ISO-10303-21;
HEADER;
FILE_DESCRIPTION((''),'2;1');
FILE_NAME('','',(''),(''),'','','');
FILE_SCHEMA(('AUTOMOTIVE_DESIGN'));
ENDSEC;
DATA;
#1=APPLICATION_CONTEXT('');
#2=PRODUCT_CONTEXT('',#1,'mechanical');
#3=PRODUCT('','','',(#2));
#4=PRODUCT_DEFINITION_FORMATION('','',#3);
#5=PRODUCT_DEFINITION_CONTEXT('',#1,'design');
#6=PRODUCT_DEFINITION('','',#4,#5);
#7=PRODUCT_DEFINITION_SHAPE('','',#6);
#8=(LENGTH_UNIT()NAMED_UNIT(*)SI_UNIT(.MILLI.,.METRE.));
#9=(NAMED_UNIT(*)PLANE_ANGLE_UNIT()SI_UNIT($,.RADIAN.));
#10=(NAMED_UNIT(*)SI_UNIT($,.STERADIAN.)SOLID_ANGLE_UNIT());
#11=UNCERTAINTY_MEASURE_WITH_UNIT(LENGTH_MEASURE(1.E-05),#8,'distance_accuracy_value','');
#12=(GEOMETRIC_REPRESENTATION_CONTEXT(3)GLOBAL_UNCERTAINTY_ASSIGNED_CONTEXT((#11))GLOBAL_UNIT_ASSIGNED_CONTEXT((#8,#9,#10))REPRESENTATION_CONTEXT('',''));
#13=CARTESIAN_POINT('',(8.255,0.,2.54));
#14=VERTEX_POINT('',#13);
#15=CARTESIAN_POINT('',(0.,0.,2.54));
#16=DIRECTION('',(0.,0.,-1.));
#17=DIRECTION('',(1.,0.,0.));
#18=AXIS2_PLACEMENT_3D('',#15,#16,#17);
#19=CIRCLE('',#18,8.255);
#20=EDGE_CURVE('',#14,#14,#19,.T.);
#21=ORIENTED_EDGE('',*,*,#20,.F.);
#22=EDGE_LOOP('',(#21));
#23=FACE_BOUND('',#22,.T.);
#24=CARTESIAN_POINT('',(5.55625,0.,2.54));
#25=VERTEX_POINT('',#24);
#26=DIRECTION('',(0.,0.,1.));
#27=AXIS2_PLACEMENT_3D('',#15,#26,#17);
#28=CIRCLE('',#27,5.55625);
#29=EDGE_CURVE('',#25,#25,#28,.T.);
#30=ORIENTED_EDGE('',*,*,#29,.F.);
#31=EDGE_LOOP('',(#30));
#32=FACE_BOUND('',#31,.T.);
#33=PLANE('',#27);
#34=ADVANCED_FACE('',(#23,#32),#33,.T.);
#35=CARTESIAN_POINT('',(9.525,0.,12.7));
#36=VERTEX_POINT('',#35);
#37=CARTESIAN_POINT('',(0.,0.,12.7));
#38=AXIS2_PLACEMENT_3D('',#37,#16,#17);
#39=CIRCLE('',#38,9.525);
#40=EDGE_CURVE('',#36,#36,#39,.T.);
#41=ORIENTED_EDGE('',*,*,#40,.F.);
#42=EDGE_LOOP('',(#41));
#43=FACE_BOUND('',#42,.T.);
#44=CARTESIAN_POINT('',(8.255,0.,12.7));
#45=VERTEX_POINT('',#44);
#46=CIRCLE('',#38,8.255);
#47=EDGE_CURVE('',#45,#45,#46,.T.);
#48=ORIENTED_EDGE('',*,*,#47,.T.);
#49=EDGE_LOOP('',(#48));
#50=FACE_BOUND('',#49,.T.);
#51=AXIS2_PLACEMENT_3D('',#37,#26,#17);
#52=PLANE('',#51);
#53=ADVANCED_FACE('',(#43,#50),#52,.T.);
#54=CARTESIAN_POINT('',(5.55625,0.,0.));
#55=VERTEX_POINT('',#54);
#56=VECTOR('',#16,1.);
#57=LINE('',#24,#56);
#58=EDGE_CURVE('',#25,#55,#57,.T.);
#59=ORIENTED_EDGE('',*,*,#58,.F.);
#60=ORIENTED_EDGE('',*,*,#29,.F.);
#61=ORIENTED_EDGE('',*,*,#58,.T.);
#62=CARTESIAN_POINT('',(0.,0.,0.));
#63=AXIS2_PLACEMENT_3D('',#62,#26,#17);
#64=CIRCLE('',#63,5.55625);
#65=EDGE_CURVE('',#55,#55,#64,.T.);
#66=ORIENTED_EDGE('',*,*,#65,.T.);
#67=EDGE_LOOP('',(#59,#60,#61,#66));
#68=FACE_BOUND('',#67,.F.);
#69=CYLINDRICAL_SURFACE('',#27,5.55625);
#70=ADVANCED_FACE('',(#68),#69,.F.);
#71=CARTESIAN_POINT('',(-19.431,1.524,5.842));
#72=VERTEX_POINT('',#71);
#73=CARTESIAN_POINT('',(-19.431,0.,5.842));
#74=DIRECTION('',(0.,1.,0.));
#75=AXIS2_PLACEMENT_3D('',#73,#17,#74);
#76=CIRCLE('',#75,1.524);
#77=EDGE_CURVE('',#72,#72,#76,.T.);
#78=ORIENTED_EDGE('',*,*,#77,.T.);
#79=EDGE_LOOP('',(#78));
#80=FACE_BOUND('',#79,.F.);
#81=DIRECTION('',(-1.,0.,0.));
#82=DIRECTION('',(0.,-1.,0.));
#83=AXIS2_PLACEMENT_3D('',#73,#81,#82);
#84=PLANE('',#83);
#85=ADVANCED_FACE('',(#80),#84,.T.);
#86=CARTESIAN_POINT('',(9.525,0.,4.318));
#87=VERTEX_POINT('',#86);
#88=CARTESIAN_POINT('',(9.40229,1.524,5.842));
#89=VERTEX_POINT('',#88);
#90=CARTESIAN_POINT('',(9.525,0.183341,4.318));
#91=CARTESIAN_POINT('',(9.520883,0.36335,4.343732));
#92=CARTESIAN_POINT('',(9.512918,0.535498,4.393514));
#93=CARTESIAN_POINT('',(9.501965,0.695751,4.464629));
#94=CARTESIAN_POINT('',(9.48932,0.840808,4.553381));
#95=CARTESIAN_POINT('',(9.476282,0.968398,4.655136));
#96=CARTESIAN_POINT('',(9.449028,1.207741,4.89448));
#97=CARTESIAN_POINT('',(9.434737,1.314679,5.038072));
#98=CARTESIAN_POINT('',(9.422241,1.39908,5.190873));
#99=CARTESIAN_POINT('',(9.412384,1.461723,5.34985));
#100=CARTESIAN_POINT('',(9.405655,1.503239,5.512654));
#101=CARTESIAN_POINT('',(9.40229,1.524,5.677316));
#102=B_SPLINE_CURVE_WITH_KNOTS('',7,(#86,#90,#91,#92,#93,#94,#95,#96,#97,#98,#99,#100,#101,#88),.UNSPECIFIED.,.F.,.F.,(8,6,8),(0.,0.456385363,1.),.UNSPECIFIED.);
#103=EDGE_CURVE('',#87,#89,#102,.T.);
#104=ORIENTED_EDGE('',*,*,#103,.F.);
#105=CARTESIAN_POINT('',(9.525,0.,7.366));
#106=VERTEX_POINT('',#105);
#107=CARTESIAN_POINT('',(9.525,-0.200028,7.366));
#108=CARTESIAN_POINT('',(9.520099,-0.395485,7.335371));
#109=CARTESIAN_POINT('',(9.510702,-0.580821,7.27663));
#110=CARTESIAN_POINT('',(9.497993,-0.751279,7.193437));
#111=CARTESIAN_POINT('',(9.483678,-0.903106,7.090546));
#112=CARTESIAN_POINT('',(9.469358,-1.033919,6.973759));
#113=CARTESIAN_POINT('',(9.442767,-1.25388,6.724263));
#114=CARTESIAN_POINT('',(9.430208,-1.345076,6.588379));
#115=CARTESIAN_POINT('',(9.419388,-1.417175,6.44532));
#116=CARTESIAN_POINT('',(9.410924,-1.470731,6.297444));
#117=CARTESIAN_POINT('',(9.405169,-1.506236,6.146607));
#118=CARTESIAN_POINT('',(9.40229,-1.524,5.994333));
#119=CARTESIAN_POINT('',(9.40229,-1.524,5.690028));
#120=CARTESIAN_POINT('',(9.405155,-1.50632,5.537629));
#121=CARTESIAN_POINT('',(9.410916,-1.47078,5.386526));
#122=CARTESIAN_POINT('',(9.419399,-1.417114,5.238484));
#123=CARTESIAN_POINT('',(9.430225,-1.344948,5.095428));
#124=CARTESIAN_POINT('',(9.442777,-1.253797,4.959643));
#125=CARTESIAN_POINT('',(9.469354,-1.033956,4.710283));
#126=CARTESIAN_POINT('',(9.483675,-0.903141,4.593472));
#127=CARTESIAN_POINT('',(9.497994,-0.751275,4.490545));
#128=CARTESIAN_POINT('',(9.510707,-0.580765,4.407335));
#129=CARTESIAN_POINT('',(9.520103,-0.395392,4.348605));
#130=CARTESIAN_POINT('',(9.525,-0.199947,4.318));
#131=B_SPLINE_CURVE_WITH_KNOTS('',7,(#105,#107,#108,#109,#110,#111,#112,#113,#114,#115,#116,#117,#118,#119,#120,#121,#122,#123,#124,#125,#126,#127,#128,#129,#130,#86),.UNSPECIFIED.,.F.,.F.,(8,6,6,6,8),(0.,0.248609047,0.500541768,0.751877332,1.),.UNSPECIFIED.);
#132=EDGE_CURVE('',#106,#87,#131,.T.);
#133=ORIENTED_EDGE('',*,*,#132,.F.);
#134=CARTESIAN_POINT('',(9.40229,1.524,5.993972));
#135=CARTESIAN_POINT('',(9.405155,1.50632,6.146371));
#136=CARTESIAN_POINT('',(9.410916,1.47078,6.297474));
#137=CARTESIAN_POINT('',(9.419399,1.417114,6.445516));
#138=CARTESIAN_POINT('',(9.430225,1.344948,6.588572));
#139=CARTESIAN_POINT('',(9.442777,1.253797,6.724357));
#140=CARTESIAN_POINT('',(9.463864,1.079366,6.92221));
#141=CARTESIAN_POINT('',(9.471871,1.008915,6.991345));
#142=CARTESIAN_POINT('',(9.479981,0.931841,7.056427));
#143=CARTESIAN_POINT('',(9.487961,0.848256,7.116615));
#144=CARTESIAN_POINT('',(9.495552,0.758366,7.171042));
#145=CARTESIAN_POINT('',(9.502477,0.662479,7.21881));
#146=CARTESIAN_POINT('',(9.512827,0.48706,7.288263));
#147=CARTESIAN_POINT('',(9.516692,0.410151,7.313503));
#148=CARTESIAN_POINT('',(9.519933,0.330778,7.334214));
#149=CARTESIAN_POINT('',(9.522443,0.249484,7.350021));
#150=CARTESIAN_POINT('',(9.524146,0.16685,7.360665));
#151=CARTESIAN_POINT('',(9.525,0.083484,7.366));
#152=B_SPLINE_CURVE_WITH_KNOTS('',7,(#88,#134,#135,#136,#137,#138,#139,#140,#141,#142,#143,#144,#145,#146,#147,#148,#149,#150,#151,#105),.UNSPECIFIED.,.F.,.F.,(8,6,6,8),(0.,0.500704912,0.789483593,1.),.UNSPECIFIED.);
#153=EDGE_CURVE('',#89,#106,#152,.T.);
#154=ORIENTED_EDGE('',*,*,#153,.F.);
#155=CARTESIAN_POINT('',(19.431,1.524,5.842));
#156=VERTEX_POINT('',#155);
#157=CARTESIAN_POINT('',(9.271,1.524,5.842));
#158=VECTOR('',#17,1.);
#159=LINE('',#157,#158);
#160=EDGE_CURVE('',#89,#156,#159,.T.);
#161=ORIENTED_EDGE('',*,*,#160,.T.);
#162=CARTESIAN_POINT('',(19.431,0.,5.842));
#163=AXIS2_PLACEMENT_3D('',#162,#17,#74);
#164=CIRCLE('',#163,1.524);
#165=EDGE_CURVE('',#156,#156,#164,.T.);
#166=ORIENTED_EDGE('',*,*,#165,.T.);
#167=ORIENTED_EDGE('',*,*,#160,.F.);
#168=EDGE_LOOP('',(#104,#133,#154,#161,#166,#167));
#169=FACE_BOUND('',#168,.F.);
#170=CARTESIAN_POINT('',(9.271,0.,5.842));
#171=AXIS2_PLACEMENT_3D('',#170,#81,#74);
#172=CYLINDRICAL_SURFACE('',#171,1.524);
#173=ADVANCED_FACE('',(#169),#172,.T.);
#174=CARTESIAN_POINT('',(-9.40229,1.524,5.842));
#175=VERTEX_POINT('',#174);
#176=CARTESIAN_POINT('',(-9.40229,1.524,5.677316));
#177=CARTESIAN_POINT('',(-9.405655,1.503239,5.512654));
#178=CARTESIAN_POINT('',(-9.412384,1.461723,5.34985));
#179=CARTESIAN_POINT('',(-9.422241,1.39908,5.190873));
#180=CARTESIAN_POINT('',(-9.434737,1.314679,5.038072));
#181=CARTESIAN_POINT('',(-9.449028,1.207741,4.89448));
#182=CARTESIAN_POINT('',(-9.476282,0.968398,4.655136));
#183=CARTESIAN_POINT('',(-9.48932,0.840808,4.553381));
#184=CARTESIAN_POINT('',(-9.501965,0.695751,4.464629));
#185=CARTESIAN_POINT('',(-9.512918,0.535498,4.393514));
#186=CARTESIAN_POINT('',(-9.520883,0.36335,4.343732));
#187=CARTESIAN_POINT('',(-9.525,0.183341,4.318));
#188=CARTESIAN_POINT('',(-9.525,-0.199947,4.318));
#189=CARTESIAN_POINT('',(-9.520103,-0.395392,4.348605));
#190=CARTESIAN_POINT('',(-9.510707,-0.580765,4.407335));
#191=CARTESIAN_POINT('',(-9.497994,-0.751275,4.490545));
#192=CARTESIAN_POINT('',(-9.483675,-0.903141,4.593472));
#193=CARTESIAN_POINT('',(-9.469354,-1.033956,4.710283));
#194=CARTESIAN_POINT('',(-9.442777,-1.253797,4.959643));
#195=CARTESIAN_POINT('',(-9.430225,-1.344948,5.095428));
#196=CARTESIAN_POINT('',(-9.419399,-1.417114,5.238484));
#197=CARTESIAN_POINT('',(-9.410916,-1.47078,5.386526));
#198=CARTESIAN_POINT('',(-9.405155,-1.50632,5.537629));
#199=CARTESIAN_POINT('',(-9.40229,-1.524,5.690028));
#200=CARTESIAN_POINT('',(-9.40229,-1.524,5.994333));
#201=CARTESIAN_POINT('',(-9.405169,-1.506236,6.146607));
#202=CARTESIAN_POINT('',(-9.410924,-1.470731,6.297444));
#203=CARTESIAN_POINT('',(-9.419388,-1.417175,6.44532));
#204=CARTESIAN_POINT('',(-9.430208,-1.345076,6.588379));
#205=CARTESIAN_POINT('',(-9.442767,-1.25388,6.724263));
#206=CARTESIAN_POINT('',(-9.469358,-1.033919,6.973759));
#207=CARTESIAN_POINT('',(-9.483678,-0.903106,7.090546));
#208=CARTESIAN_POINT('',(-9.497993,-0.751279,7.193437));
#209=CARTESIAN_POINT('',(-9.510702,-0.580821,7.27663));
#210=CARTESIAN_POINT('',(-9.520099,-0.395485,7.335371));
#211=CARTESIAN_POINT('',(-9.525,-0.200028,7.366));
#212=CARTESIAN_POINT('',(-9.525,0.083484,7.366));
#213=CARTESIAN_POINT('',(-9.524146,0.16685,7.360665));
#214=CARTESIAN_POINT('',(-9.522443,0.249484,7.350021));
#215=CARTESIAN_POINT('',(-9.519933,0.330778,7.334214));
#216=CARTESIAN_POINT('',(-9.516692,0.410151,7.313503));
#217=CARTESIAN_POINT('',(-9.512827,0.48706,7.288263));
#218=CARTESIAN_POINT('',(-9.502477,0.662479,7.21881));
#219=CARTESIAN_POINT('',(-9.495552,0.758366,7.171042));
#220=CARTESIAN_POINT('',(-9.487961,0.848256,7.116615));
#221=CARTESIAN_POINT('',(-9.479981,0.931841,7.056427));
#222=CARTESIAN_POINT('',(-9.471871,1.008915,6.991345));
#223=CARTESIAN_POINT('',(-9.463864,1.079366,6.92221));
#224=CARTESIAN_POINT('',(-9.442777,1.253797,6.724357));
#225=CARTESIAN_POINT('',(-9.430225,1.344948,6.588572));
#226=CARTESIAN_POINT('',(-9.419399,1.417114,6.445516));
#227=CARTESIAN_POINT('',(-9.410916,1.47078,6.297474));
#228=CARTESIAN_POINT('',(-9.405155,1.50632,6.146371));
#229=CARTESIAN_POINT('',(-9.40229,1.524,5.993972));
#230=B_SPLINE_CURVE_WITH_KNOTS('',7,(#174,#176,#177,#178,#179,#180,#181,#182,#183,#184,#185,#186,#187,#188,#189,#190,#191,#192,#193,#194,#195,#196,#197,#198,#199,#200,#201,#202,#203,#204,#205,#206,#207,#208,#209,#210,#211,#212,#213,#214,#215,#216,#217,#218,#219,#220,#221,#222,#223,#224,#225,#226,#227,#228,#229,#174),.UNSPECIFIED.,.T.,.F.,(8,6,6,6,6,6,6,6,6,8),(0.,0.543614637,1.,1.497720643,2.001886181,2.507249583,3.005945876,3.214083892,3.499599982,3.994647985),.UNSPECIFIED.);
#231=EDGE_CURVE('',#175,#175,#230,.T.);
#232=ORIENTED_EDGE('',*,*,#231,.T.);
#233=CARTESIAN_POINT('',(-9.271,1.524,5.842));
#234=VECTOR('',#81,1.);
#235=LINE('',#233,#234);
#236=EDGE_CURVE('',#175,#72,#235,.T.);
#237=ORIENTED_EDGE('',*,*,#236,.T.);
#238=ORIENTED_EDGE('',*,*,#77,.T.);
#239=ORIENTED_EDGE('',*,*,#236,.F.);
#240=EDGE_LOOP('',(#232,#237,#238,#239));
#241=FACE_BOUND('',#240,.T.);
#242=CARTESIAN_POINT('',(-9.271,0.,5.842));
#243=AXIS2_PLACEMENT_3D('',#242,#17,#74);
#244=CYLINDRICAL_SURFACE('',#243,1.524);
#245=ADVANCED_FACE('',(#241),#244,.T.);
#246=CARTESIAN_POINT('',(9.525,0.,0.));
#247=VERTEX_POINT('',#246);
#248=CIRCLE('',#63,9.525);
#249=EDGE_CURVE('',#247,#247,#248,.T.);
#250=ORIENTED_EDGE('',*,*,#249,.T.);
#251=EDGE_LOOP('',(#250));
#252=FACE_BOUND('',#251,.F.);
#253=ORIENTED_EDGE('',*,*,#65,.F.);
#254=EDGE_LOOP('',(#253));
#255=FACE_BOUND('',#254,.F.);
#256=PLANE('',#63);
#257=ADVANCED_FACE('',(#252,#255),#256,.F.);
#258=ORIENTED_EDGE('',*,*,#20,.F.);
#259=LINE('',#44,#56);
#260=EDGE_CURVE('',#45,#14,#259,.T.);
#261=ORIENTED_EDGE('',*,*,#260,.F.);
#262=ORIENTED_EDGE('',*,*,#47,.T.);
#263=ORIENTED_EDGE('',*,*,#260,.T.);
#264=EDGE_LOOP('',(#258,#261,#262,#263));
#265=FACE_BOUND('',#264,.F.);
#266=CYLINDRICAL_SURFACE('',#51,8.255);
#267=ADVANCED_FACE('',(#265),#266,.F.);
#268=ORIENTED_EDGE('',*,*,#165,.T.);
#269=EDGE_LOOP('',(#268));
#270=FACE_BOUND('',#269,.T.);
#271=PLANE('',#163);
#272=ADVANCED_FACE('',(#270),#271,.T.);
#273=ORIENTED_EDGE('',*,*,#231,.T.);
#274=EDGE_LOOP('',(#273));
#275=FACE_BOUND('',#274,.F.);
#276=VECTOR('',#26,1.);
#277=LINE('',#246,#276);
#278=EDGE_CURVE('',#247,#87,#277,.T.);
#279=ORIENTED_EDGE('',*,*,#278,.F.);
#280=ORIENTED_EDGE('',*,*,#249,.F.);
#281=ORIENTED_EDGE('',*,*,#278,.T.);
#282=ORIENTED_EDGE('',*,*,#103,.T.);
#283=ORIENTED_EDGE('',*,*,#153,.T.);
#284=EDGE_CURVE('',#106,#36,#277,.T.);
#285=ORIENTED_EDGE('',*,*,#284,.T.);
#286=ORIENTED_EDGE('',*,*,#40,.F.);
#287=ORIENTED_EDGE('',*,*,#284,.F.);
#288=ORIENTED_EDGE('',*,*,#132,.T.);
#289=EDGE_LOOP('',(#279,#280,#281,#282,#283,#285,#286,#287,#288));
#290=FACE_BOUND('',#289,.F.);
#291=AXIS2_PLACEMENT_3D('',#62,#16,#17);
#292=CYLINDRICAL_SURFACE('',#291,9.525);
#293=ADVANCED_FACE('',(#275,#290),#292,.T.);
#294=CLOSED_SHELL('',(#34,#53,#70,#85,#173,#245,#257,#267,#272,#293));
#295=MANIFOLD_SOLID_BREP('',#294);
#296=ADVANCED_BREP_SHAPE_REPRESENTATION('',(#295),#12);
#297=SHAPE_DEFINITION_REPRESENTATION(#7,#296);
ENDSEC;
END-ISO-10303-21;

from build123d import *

# Parameters (mm, degrees)
F0_R     = 9.525
F1_DEPTH = 12.7
F2_R     = 8.255
F3_DEPTH = 10.16
F4_R     = 5.55625
F5_DEPTH = 25.4
F7_R     = 1.524
F8_DEPTH = 10.16


with BuildPart() as f1:
    # F0 (on Top) → F1 (new body)
    with BuildSketch(Plane.XY):
        Circle(F0_R)
    extrude(amount=F1_DEPTH)

    # F2 (on face) → F3 (cut)
    with BuildSketch(Plane.XY.offset(12.7)):
        Circle(F2_R)
    extrude(amount=-F3_DEPTH, mode=Mode.SUBTRACT)

    # F4 (on face) → F5 (cut)
    with BuildSketch(Plane.XY.offset(2.54)):
        Circle(F4_R)
    extrude(amount=-F5_DEPTH, mode=Mode.SUBTRACT)

    # F7 (on offset) → F8 (join)
    with BuildSketch(Plane.YZ.offset(9.271)):
        with Locations((0, 5.842)):
            Circle(F7_R)
    extrude(amount=F8_DEPTH)

    # F9: F1 across plane


with BuildPart() as f1_1:
    add(f1.part)
    add(f1.part.mirror(Plane.YZ))


solid = f1_1.part
